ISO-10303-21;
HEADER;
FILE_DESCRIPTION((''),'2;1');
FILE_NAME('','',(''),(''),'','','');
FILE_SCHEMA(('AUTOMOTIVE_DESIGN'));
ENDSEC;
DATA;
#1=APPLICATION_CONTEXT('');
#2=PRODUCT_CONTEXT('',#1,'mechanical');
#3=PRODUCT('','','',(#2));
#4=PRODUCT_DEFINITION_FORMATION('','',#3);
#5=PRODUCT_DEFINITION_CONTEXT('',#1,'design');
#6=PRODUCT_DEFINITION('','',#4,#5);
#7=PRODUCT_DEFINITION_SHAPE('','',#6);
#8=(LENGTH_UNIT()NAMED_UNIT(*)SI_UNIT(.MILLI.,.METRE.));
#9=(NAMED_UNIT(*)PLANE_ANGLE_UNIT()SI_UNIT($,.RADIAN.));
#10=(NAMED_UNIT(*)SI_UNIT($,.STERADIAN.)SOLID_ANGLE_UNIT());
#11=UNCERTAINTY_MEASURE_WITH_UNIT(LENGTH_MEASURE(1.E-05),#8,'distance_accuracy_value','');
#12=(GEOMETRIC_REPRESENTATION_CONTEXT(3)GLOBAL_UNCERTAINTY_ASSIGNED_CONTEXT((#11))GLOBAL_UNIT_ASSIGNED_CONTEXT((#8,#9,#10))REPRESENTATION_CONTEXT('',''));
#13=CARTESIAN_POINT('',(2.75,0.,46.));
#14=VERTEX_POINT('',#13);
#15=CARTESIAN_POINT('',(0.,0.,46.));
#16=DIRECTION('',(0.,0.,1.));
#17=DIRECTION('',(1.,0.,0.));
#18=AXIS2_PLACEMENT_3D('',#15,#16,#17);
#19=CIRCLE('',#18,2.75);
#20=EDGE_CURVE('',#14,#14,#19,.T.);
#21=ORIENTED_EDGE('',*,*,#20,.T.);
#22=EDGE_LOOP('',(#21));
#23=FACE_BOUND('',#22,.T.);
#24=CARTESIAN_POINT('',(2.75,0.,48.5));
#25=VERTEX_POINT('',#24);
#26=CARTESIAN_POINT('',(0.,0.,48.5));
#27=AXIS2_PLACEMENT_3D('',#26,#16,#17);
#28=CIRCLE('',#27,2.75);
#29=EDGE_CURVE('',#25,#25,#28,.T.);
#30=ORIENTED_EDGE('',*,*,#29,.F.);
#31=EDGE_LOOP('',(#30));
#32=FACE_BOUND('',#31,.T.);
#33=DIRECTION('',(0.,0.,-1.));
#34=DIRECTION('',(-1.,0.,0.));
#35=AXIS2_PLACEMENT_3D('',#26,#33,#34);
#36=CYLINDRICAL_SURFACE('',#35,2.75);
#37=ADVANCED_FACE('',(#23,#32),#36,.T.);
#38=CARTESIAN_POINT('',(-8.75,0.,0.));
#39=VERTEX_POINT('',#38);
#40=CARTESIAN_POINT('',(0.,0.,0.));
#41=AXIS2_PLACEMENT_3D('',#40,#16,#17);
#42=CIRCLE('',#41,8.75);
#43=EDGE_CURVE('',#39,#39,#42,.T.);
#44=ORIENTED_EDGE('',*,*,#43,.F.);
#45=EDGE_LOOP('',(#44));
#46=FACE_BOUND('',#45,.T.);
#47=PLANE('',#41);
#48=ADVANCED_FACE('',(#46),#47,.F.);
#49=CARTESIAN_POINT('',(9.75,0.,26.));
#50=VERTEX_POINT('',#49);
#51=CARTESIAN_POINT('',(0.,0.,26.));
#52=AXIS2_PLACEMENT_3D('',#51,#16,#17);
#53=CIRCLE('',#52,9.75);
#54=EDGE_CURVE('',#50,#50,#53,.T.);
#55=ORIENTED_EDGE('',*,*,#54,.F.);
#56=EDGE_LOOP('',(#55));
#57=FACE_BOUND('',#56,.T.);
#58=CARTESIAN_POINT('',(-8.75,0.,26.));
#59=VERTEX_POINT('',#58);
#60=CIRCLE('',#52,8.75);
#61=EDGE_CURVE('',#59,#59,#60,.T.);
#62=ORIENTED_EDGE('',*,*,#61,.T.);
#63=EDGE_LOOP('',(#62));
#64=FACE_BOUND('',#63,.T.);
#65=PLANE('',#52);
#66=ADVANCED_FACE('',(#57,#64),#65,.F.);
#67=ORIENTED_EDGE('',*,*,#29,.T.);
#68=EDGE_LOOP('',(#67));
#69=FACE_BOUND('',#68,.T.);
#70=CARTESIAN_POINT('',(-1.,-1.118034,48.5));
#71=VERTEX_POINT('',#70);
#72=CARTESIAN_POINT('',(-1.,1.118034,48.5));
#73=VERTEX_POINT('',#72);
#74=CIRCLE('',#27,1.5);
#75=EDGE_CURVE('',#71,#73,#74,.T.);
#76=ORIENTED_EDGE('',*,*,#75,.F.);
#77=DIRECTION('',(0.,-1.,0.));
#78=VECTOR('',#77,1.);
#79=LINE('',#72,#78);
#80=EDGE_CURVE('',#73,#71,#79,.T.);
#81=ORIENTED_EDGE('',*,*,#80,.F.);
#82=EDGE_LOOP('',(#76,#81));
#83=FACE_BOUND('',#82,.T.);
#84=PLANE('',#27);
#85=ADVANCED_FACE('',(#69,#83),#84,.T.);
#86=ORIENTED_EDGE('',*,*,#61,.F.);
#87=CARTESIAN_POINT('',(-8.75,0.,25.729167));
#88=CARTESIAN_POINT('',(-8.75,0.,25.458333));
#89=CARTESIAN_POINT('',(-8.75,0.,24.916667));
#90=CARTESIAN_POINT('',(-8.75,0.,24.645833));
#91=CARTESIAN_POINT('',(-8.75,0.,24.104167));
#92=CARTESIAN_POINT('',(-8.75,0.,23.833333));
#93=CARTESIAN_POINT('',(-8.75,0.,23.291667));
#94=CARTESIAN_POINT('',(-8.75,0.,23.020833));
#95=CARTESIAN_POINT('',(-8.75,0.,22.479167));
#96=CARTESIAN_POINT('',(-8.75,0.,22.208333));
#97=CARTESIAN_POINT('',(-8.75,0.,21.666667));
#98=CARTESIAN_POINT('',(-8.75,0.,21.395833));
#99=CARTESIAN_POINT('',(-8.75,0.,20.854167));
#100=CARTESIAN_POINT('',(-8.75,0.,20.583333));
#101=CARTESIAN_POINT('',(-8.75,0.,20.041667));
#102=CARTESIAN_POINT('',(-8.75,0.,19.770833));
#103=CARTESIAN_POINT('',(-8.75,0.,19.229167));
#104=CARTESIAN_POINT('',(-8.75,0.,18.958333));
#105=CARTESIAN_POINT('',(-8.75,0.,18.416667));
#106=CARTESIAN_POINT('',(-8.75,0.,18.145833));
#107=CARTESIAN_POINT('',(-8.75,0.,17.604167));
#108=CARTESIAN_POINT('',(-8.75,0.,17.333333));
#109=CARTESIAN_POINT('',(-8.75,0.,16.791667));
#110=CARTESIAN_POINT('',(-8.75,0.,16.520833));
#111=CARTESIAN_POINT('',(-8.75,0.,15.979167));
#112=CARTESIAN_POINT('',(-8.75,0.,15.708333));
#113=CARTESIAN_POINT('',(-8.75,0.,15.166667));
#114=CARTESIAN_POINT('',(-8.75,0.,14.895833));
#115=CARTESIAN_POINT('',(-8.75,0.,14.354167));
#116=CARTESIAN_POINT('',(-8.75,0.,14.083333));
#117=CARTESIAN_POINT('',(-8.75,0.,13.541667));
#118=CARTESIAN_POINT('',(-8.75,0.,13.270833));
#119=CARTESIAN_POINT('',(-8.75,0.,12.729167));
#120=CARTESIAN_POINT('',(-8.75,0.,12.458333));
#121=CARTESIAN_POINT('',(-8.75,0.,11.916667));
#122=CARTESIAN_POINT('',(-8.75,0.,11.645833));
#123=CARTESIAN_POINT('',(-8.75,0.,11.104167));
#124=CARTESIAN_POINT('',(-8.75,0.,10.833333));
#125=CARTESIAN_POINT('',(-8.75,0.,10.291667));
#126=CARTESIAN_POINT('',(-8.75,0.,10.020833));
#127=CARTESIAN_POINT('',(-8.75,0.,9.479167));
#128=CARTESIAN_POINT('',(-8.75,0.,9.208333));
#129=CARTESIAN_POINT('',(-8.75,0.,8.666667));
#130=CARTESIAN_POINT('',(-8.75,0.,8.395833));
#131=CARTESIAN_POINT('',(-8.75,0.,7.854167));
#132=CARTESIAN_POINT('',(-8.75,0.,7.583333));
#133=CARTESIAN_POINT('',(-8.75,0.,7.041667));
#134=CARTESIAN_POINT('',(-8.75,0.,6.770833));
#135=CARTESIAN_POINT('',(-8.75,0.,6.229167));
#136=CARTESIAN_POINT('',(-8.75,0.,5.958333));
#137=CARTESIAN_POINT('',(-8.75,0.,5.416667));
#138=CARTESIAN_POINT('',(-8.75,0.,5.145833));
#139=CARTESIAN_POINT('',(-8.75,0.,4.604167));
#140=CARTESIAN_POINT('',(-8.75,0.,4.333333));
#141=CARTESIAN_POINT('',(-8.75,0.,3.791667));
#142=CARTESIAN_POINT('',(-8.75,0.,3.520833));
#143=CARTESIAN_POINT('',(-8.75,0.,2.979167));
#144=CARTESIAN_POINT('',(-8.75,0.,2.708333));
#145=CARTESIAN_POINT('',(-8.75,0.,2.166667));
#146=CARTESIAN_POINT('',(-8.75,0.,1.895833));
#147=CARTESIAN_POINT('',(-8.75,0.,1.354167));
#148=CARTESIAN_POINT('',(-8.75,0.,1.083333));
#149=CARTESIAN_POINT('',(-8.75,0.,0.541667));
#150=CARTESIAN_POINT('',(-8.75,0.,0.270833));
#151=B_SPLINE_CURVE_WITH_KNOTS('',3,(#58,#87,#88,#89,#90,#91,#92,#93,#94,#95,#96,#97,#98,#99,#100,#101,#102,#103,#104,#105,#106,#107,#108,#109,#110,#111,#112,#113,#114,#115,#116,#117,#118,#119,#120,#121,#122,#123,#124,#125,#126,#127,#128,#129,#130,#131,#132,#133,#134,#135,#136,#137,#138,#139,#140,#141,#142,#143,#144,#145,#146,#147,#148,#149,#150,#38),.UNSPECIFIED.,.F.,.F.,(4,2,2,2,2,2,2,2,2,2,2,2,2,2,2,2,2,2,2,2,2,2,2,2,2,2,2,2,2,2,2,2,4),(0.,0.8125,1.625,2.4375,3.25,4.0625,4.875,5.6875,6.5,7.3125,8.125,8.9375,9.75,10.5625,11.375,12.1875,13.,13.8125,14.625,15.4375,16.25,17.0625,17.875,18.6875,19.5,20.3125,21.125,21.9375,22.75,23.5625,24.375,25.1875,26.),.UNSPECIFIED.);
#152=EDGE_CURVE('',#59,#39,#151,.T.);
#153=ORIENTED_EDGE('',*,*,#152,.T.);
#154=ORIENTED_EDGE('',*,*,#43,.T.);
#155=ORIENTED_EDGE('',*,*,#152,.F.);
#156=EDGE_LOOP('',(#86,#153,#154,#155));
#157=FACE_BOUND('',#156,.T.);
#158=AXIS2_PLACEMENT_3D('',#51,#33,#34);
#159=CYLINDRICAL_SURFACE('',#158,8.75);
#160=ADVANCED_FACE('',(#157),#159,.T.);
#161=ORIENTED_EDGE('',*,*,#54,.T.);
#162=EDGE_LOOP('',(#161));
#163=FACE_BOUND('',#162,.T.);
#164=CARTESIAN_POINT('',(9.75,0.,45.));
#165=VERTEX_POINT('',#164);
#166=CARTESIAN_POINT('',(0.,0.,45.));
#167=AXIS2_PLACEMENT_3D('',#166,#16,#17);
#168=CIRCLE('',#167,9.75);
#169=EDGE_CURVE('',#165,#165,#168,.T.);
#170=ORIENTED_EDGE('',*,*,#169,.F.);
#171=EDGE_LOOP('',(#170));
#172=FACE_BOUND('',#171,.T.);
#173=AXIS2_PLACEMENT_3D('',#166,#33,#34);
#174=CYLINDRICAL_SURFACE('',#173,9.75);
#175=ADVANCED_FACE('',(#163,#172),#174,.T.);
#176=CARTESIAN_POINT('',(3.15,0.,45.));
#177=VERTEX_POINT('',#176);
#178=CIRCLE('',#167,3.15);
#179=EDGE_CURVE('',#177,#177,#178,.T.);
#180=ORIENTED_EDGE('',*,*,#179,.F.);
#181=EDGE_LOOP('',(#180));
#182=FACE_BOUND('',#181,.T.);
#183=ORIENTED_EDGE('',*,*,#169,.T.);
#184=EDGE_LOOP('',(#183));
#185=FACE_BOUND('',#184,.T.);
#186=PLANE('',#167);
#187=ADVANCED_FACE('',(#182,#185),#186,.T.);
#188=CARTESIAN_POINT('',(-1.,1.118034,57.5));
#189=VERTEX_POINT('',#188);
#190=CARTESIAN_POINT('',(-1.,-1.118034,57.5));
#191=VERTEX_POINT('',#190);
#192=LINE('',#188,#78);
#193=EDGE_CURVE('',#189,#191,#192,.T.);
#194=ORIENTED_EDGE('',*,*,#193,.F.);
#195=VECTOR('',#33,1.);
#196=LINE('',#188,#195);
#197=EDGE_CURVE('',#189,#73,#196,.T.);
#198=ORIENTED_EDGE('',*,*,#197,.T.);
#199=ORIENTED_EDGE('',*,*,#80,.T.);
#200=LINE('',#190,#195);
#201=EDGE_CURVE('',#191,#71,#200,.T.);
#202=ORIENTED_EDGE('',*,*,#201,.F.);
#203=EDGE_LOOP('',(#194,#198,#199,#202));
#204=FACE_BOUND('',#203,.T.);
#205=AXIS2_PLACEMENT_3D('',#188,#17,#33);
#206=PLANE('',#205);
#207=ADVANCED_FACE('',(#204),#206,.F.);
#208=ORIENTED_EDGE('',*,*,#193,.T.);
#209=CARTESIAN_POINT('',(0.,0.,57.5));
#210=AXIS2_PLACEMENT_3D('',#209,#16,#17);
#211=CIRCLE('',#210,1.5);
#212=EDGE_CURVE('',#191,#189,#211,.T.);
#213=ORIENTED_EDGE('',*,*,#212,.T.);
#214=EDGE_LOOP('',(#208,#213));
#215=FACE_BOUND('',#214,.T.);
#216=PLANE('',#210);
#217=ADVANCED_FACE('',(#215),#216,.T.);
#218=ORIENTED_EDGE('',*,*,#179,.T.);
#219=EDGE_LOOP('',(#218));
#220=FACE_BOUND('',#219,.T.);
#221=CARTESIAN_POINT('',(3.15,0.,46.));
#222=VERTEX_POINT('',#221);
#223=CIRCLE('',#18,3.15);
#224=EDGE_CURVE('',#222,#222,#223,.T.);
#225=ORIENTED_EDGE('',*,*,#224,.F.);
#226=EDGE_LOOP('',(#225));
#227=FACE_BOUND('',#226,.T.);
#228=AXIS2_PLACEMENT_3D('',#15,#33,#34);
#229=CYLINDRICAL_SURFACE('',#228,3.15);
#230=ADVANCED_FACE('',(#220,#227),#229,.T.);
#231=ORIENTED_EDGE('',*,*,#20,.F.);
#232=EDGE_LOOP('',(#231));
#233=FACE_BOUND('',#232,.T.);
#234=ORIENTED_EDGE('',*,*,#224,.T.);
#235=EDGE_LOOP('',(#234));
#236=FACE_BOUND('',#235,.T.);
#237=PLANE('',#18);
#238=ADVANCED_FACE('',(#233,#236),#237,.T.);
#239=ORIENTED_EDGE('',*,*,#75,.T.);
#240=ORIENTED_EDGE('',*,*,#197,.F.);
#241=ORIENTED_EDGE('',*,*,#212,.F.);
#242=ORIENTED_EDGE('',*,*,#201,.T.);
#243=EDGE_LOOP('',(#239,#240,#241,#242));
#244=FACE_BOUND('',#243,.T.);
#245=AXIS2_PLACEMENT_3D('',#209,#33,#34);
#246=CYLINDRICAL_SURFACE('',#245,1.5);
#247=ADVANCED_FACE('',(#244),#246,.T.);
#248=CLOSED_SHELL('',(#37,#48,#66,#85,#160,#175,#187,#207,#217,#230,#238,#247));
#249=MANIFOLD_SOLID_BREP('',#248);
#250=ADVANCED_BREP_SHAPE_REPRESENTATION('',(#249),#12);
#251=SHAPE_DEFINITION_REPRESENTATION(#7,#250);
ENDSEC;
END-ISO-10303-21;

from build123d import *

# Parameters (mm, degrees)
SKETCH1_R           = 8.75
BOSS_EXTRUDE1_DEPTH = 26
SKETCH2_R           = 9.75
BOSS_EXTRUDE2_DEPTH = 19
SKETCH3_R           = 3.15
BOSS_EXTRUDE3_DEPTH = 1
SKETCH4_R           = 2.75
BOSS_EXTRUDE4_DEPTH = 2.5
BOSS_EXTRUDE5_DEPTH = 9


with BuildPart() as part:
    # Sketch1 → Boss-Extrude1 (new body)
    with BuildSketch(Plane.XY):
        with Locations(Location((0, 0, 0), (0, 0, 180))):
            Circle(SKETCH1_R)
    extrude(amount=BOSS_EXTRUDE1_DEPTH)

    # Sketch2 → Boss-Extrude2 (add)
    with BuildSketch(Plane.XY.offset(26)):
        Circle(SKETCH2_R)
    extrude(amount=BOSS_EXTRUDE2_DEPTH)

    # Sketch3 → Boss-Extrude3 (add)
    with BuildSketch(Plane.XY.offset(45)):
        Circle(SKETCH3_R)
    extrude(amount=BOSS_EXTRUDE3_DEPTH)

    # Sketch4 → Boss-Extrude4 (add)
    with BuildSketch(Plane.XY.offset(46)):
        Circle(SKETCH4_R)
    extrude(amount=BOSS_EXTRUDE4_DEPTH)

    # Sketch5 → Boss-Extrude5 (add)
    with BuildSketch(Plane.XY.offset(48.5)):
        with BuildLine():
            Line((-1, 1.118033989), (-1, -1.118033989))
            ThreePointArc((-1, -1.118033989), (1.5, 0), (-1, 1.118033989))
        make_face()
    extrude(amount=BOSS_EXTRUDE5_DEPTH)


solid = part.part
